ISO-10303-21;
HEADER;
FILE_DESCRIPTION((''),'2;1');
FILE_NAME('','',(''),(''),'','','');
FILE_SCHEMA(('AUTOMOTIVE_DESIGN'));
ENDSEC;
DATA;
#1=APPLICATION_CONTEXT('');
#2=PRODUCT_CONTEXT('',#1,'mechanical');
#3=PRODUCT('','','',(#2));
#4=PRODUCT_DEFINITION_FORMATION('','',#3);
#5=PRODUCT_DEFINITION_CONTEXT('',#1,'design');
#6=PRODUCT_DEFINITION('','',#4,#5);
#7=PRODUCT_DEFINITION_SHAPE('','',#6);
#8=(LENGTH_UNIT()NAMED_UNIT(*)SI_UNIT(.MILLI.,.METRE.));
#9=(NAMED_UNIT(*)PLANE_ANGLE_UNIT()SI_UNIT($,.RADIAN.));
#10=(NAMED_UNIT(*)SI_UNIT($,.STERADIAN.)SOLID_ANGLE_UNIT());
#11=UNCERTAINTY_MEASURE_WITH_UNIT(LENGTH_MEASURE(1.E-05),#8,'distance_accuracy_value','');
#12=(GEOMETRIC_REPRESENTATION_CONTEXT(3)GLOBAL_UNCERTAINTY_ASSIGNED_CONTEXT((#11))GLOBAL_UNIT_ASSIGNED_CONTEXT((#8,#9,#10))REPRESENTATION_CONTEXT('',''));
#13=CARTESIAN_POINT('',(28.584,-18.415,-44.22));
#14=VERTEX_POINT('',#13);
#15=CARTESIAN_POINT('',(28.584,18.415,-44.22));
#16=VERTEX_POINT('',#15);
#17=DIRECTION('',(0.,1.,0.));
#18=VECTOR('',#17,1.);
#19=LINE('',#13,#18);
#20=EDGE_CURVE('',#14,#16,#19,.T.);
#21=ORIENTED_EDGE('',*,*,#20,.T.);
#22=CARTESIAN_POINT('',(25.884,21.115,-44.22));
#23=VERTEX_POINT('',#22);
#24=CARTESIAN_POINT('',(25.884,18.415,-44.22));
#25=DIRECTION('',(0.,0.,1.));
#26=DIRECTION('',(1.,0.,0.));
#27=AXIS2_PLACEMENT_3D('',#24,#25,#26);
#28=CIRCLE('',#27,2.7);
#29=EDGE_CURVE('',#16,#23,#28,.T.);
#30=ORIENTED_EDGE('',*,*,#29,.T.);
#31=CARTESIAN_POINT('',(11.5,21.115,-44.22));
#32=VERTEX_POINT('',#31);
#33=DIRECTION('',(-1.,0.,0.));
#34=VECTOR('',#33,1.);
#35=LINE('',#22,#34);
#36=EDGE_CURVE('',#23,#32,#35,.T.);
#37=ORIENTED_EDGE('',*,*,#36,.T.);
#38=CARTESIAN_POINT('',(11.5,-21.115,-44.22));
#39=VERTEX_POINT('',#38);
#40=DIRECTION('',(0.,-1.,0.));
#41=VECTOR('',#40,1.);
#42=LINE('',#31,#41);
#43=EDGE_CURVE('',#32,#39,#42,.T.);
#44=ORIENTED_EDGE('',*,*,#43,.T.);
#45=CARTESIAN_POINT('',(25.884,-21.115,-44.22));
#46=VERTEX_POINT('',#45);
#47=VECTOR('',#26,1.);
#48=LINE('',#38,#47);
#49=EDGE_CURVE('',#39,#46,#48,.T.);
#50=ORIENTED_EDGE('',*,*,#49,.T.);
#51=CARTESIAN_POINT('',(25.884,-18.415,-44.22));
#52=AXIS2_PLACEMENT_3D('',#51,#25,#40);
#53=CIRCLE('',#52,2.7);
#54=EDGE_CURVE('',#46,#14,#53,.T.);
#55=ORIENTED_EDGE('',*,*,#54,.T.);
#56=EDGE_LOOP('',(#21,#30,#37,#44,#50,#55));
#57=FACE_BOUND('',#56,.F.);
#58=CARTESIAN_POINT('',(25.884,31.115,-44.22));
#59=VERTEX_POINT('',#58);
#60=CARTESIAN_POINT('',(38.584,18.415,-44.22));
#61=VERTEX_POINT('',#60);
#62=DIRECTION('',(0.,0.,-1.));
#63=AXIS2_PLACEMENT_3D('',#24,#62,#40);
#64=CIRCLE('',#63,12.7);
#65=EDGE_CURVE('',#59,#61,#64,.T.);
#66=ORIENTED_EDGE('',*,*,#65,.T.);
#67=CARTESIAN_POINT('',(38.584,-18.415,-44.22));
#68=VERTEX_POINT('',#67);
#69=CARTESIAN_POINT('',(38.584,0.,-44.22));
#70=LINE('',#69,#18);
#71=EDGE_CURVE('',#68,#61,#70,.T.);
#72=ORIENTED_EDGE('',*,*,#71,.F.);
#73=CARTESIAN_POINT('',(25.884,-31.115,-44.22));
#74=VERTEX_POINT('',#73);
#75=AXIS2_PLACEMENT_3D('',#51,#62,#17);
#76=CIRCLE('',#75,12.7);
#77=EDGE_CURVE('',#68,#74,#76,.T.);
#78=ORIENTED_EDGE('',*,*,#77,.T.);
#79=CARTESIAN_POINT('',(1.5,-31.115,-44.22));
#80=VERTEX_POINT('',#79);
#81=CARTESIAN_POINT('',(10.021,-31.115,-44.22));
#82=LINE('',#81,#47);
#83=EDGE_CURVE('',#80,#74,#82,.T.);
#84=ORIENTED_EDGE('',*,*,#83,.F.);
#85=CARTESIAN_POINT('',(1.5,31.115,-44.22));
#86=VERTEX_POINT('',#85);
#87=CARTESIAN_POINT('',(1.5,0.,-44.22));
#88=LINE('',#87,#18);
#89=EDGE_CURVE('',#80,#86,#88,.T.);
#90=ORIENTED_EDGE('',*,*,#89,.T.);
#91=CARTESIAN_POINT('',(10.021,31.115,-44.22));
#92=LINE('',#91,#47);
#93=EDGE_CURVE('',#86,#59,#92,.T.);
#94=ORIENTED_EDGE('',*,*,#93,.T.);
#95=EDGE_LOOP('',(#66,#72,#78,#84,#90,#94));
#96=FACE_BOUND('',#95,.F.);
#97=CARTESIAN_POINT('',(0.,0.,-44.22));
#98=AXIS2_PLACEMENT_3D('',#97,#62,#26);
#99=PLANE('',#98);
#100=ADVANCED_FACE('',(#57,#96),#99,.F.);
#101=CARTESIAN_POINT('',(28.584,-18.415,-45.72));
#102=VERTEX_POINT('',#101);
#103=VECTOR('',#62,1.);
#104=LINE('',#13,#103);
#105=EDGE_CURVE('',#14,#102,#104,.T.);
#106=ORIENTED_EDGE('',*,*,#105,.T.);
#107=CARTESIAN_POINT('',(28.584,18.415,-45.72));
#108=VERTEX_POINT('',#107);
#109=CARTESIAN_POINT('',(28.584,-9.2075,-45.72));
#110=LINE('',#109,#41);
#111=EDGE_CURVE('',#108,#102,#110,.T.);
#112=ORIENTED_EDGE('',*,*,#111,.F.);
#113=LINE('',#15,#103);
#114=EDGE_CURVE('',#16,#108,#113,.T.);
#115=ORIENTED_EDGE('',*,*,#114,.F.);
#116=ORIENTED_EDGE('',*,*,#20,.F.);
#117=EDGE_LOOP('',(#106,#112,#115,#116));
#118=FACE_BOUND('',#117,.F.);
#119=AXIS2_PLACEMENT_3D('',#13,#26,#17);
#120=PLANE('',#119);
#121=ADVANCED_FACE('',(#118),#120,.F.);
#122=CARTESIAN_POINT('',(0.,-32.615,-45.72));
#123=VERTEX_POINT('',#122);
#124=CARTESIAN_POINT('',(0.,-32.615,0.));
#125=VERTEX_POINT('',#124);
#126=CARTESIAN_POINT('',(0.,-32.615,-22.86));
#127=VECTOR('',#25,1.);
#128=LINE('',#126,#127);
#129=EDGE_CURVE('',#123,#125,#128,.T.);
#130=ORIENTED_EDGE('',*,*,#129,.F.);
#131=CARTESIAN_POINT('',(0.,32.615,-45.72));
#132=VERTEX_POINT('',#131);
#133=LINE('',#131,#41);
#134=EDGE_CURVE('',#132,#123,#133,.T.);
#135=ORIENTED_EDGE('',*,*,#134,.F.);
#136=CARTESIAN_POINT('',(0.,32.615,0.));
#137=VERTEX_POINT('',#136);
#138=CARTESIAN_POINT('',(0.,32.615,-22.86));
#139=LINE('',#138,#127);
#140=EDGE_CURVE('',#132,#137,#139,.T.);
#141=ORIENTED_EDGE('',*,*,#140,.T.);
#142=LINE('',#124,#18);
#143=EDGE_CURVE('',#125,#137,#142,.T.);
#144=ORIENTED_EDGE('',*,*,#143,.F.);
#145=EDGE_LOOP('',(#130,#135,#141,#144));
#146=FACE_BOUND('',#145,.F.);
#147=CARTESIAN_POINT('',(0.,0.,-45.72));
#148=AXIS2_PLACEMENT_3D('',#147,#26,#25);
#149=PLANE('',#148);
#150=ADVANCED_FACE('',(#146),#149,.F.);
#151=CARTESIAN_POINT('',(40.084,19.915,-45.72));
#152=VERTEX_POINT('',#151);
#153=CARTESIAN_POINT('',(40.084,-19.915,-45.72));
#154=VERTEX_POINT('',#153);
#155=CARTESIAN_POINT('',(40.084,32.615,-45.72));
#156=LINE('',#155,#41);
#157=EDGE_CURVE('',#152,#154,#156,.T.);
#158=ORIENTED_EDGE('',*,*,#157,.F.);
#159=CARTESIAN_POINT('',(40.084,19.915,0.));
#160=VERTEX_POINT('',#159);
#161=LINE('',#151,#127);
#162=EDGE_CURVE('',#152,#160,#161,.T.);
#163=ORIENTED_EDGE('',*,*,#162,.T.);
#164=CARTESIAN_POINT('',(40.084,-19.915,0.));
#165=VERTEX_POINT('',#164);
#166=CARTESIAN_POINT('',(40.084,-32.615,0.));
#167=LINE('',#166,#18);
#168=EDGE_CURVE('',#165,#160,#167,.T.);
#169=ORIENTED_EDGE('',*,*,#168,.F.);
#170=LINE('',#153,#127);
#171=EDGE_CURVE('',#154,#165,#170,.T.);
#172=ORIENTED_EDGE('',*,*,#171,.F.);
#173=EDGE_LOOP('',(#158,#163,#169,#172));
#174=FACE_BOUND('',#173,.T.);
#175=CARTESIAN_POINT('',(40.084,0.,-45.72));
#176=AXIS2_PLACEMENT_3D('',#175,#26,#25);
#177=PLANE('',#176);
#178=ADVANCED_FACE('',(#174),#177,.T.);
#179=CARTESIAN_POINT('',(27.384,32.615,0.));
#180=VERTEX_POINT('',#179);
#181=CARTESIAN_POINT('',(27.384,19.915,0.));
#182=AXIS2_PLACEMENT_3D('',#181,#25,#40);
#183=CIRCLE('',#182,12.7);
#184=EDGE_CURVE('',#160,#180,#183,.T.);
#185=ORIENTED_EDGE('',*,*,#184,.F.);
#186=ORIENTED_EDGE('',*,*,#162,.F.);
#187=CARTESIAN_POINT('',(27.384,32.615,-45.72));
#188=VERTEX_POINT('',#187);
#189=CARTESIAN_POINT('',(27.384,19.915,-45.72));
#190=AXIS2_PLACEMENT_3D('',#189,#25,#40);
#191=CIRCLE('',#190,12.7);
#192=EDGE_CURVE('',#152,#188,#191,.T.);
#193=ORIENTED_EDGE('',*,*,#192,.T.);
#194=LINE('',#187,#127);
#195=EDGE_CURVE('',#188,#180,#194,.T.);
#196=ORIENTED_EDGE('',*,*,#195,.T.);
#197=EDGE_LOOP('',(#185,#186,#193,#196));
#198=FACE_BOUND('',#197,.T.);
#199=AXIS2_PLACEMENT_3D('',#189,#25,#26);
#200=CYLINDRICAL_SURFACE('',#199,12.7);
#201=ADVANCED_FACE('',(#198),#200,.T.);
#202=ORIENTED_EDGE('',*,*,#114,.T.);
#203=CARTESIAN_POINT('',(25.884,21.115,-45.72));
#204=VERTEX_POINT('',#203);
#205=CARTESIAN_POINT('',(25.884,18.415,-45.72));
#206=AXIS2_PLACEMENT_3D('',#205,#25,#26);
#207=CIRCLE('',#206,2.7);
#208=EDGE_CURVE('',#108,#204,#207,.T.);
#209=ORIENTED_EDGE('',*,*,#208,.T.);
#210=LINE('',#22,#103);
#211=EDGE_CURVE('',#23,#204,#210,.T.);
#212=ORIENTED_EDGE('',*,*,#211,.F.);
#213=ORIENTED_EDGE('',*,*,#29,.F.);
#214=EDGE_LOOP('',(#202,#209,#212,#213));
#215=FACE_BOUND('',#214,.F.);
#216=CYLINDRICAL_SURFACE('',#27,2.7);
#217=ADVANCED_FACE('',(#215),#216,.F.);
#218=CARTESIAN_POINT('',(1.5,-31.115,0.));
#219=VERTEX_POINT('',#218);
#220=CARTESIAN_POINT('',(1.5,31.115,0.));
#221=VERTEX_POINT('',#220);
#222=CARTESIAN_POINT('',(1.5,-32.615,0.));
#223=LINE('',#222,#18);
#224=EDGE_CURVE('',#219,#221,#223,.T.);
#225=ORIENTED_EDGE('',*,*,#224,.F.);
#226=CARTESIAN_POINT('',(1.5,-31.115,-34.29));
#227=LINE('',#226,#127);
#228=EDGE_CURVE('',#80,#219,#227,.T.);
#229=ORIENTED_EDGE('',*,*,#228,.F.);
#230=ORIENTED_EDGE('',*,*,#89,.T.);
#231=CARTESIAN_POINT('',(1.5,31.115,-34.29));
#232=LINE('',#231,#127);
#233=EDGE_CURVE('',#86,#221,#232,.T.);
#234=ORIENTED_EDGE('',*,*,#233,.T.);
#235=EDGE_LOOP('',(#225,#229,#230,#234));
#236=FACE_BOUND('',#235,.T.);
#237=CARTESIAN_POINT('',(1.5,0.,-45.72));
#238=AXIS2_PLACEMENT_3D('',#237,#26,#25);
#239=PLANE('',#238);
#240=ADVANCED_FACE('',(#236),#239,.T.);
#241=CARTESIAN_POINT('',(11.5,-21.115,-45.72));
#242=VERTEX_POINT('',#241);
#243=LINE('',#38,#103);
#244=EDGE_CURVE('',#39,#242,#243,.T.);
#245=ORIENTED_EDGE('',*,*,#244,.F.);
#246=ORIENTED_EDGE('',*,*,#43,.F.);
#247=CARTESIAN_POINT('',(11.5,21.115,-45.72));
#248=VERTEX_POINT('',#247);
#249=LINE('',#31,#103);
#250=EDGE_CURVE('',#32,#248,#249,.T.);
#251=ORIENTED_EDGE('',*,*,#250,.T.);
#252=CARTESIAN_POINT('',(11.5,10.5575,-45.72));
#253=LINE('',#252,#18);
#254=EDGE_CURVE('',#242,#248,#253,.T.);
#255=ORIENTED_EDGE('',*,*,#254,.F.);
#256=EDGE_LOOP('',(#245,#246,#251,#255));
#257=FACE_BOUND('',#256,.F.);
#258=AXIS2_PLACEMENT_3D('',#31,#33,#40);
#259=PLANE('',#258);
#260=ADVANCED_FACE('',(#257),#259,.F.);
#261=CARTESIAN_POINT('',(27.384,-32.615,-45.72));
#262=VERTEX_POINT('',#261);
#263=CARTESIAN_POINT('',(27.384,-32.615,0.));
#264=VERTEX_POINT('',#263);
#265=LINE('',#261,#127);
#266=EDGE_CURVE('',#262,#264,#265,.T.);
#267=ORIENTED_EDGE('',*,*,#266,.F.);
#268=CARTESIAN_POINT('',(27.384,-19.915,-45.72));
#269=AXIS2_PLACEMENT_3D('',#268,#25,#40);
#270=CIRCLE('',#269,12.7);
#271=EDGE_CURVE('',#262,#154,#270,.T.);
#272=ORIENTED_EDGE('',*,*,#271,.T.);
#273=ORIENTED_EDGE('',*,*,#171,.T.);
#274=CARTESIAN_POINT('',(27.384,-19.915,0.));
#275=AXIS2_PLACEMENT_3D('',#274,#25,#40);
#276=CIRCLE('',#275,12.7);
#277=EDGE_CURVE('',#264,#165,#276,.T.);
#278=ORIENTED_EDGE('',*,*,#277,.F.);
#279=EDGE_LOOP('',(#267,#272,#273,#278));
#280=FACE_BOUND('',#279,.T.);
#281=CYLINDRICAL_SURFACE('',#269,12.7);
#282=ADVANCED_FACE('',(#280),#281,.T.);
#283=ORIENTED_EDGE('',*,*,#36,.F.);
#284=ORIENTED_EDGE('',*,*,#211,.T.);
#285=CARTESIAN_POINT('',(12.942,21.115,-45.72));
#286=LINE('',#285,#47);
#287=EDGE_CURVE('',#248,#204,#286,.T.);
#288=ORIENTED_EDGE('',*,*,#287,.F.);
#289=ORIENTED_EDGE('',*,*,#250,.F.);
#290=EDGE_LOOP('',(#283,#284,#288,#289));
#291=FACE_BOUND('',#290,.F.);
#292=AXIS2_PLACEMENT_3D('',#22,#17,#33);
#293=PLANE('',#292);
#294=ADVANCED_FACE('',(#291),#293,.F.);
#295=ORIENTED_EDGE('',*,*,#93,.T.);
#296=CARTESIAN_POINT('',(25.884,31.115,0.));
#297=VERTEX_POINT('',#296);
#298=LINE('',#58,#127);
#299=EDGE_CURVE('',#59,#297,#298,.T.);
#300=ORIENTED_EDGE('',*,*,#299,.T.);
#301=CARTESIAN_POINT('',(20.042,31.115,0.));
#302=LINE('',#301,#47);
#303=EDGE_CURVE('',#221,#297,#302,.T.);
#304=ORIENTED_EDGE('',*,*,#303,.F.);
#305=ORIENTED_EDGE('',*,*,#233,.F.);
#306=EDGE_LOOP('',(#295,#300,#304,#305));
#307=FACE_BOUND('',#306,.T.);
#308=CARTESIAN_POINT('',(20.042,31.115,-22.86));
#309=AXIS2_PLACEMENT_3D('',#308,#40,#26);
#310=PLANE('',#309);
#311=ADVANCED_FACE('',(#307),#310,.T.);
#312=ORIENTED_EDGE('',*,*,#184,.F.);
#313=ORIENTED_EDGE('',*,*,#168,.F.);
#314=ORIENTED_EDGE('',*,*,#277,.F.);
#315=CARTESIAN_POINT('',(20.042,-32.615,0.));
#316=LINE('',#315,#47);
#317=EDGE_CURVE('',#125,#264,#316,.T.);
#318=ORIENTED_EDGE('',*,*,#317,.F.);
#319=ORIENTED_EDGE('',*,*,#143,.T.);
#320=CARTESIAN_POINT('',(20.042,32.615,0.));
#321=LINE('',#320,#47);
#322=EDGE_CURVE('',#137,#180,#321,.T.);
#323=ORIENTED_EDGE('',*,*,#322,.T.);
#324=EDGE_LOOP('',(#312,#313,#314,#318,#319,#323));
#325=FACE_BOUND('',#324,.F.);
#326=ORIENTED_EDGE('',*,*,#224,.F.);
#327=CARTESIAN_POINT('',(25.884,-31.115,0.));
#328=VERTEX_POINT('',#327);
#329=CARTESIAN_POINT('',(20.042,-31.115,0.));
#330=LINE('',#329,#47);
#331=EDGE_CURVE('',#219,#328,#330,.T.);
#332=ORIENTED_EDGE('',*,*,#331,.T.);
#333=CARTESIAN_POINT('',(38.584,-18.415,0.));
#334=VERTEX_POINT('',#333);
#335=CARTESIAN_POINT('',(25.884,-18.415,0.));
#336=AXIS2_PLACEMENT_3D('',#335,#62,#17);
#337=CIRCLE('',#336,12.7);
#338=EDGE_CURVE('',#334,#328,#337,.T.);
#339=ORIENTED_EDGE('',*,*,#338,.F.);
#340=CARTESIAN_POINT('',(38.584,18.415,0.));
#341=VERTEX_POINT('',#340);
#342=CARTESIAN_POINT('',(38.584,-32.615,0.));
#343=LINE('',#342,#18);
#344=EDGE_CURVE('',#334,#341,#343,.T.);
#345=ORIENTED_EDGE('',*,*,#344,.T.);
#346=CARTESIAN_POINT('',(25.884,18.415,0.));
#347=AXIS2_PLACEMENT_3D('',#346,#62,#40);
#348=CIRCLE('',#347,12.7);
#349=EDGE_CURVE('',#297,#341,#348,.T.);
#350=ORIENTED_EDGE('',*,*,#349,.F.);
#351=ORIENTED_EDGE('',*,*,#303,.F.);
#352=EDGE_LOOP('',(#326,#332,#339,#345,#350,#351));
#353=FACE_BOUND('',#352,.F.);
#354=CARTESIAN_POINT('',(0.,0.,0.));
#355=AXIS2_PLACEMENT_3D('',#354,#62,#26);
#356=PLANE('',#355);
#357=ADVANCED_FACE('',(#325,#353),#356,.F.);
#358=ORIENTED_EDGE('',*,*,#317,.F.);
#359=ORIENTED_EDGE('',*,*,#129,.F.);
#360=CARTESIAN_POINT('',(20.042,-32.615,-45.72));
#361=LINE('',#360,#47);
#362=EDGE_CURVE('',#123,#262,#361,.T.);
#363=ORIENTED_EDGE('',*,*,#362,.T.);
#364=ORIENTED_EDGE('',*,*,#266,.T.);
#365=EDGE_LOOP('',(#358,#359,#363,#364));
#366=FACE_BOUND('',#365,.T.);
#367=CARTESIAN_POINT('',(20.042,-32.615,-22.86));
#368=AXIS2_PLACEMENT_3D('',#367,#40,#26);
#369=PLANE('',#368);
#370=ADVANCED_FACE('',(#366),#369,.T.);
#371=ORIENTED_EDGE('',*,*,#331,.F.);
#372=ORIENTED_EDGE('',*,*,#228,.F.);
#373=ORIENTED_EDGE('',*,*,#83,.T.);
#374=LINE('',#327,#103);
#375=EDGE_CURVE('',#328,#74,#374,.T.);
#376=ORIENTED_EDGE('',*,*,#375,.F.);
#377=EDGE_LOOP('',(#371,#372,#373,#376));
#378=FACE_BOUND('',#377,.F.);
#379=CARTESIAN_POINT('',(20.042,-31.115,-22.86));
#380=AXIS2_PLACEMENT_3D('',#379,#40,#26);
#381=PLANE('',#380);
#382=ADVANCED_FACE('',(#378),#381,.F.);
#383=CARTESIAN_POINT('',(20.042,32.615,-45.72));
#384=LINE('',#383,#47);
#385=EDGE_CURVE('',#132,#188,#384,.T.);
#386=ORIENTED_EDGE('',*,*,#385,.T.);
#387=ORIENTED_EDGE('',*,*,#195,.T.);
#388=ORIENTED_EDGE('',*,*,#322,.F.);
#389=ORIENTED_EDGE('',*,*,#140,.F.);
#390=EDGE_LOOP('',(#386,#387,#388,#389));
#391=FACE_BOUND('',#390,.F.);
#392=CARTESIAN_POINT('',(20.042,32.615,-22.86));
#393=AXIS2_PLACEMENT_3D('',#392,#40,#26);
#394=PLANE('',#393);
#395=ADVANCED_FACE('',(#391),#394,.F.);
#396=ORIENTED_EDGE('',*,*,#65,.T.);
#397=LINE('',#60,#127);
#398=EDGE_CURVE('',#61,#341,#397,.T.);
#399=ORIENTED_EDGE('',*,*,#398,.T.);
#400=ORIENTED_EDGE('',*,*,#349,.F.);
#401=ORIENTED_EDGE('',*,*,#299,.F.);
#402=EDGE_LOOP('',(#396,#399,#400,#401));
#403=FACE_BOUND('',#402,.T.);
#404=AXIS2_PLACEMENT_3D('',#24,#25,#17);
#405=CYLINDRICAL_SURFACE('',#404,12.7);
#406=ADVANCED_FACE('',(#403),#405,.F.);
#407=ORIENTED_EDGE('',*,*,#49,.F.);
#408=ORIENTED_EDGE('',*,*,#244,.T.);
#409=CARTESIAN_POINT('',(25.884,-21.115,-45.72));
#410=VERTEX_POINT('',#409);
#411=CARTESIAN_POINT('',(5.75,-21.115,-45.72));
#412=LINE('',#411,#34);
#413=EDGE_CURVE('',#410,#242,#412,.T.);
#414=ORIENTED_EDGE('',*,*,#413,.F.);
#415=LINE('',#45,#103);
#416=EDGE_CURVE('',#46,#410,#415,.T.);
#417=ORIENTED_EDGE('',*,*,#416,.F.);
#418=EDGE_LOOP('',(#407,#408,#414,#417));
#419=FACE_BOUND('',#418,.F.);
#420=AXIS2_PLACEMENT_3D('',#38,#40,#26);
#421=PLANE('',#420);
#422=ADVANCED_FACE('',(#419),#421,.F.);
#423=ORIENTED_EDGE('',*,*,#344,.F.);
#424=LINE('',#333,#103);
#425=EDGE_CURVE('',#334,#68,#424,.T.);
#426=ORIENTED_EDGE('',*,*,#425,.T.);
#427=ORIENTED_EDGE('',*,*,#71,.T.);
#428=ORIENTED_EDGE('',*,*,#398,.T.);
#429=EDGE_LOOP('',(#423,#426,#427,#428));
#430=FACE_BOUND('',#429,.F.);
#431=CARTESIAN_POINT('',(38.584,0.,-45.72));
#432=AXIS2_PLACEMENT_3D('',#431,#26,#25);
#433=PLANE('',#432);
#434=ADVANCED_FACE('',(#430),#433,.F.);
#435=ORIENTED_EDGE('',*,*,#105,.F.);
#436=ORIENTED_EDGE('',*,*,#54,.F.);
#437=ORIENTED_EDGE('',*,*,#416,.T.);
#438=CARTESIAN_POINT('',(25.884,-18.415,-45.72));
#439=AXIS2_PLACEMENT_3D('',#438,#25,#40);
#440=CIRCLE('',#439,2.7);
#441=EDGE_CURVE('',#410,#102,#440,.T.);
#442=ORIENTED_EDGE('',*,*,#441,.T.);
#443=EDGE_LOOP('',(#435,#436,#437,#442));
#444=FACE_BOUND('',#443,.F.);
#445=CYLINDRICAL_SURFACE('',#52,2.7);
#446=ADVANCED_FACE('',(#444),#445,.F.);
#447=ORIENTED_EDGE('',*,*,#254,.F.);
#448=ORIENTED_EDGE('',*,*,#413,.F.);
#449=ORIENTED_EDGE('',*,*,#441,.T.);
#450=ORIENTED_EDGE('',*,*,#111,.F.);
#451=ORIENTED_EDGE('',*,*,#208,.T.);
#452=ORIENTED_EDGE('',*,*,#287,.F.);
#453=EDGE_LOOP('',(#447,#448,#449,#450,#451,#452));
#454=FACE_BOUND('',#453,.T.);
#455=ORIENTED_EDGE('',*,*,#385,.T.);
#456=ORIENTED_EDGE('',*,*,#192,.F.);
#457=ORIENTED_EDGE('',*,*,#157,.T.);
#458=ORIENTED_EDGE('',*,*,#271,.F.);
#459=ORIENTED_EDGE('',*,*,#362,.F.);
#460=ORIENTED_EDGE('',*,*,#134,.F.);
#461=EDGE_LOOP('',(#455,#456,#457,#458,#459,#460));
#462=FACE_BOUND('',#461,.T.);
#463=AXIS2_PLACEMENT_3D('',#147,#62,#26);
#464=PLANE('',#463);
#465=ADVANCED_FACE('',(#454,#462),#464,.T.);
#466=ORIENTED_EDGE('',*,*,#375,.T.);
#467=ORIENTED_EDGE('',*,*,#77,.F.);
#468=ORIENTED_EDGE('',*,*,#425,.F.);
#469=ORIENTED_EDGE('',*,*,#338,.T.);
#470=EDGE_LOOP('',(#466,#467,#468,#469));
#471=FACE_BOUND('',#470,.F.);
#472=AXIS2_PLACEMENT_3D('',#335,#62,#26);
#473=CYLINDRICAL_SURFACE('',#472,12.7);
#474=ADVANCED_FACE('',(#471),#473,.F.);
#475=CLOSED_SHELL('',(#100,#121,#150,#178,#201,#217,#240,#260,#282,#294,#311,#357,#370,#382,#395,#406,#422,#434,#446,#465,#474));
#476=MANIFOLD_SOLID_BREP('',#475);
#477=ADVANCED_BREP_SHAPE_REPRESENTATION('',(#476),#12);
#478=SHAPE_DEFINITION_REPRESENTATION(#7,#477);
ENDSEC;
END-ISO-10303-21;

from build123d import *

# Parameters (mm, degrees)
F0_W     = 40.084
F0_H     = 45.72
F1_DEPTH = 32.615
F2_T     = -1.5
F3_R     = 12.7
F5_DEPTH = 25.4


with BuildPart() as f1:
    # F0 (on Front) → F1 (new body, symmetric)
    with BuildSketch(Plane.XZ):
        with Locations((20.042, -22.86)):
            Rectangle(F0_W, F0_H)
    extrude(amount=F1_DEPTH, both=True)

    # F2
    f2_openings = [f1.faces().sort_by_distance(p)[0] for p in [
        (20.042, 0, 0),
    ]]
    offset(amount=F2_T, openings=f2_openings)

    # F3
    f3_edges = [f1.edges().sort_by_distance(p)[0] for p in [
        (38.584, 31.115, -22.11),
        (38.584, -31.115, -22.11),
        (40.084, -32.615, -22.86),
        (40.084, 32.615, -22.86),
    ]]
    fillet(f3_edges, radius=F3_R)

    # F4 (on face) → F5 (cut)
    with BuildSketch(Plane.XY.offset(-44.22)):
        with BuildLine():
            Line((11.5, -21.115), (25.884, -21.115))
            ThreePointArc((25.884, -21.115), (27.7931883092, -20.3241883092), (28.584, -18.415))
            Line((28.584, -18.415), (28.584, 18.415))
            ThreePointArc((28.584, 18.415), (27.7931883092, 20.3241883092), (25.884, 21.115))
            Line((25.884, 21.115), (11.5, 21.115))
            Line((11.5, 21.115), (11.5, -21.115))
        make_face()
    extrude(amount=-F5_DEPTH, mode=Mode.SUBTRACT)


solid = f1.part
